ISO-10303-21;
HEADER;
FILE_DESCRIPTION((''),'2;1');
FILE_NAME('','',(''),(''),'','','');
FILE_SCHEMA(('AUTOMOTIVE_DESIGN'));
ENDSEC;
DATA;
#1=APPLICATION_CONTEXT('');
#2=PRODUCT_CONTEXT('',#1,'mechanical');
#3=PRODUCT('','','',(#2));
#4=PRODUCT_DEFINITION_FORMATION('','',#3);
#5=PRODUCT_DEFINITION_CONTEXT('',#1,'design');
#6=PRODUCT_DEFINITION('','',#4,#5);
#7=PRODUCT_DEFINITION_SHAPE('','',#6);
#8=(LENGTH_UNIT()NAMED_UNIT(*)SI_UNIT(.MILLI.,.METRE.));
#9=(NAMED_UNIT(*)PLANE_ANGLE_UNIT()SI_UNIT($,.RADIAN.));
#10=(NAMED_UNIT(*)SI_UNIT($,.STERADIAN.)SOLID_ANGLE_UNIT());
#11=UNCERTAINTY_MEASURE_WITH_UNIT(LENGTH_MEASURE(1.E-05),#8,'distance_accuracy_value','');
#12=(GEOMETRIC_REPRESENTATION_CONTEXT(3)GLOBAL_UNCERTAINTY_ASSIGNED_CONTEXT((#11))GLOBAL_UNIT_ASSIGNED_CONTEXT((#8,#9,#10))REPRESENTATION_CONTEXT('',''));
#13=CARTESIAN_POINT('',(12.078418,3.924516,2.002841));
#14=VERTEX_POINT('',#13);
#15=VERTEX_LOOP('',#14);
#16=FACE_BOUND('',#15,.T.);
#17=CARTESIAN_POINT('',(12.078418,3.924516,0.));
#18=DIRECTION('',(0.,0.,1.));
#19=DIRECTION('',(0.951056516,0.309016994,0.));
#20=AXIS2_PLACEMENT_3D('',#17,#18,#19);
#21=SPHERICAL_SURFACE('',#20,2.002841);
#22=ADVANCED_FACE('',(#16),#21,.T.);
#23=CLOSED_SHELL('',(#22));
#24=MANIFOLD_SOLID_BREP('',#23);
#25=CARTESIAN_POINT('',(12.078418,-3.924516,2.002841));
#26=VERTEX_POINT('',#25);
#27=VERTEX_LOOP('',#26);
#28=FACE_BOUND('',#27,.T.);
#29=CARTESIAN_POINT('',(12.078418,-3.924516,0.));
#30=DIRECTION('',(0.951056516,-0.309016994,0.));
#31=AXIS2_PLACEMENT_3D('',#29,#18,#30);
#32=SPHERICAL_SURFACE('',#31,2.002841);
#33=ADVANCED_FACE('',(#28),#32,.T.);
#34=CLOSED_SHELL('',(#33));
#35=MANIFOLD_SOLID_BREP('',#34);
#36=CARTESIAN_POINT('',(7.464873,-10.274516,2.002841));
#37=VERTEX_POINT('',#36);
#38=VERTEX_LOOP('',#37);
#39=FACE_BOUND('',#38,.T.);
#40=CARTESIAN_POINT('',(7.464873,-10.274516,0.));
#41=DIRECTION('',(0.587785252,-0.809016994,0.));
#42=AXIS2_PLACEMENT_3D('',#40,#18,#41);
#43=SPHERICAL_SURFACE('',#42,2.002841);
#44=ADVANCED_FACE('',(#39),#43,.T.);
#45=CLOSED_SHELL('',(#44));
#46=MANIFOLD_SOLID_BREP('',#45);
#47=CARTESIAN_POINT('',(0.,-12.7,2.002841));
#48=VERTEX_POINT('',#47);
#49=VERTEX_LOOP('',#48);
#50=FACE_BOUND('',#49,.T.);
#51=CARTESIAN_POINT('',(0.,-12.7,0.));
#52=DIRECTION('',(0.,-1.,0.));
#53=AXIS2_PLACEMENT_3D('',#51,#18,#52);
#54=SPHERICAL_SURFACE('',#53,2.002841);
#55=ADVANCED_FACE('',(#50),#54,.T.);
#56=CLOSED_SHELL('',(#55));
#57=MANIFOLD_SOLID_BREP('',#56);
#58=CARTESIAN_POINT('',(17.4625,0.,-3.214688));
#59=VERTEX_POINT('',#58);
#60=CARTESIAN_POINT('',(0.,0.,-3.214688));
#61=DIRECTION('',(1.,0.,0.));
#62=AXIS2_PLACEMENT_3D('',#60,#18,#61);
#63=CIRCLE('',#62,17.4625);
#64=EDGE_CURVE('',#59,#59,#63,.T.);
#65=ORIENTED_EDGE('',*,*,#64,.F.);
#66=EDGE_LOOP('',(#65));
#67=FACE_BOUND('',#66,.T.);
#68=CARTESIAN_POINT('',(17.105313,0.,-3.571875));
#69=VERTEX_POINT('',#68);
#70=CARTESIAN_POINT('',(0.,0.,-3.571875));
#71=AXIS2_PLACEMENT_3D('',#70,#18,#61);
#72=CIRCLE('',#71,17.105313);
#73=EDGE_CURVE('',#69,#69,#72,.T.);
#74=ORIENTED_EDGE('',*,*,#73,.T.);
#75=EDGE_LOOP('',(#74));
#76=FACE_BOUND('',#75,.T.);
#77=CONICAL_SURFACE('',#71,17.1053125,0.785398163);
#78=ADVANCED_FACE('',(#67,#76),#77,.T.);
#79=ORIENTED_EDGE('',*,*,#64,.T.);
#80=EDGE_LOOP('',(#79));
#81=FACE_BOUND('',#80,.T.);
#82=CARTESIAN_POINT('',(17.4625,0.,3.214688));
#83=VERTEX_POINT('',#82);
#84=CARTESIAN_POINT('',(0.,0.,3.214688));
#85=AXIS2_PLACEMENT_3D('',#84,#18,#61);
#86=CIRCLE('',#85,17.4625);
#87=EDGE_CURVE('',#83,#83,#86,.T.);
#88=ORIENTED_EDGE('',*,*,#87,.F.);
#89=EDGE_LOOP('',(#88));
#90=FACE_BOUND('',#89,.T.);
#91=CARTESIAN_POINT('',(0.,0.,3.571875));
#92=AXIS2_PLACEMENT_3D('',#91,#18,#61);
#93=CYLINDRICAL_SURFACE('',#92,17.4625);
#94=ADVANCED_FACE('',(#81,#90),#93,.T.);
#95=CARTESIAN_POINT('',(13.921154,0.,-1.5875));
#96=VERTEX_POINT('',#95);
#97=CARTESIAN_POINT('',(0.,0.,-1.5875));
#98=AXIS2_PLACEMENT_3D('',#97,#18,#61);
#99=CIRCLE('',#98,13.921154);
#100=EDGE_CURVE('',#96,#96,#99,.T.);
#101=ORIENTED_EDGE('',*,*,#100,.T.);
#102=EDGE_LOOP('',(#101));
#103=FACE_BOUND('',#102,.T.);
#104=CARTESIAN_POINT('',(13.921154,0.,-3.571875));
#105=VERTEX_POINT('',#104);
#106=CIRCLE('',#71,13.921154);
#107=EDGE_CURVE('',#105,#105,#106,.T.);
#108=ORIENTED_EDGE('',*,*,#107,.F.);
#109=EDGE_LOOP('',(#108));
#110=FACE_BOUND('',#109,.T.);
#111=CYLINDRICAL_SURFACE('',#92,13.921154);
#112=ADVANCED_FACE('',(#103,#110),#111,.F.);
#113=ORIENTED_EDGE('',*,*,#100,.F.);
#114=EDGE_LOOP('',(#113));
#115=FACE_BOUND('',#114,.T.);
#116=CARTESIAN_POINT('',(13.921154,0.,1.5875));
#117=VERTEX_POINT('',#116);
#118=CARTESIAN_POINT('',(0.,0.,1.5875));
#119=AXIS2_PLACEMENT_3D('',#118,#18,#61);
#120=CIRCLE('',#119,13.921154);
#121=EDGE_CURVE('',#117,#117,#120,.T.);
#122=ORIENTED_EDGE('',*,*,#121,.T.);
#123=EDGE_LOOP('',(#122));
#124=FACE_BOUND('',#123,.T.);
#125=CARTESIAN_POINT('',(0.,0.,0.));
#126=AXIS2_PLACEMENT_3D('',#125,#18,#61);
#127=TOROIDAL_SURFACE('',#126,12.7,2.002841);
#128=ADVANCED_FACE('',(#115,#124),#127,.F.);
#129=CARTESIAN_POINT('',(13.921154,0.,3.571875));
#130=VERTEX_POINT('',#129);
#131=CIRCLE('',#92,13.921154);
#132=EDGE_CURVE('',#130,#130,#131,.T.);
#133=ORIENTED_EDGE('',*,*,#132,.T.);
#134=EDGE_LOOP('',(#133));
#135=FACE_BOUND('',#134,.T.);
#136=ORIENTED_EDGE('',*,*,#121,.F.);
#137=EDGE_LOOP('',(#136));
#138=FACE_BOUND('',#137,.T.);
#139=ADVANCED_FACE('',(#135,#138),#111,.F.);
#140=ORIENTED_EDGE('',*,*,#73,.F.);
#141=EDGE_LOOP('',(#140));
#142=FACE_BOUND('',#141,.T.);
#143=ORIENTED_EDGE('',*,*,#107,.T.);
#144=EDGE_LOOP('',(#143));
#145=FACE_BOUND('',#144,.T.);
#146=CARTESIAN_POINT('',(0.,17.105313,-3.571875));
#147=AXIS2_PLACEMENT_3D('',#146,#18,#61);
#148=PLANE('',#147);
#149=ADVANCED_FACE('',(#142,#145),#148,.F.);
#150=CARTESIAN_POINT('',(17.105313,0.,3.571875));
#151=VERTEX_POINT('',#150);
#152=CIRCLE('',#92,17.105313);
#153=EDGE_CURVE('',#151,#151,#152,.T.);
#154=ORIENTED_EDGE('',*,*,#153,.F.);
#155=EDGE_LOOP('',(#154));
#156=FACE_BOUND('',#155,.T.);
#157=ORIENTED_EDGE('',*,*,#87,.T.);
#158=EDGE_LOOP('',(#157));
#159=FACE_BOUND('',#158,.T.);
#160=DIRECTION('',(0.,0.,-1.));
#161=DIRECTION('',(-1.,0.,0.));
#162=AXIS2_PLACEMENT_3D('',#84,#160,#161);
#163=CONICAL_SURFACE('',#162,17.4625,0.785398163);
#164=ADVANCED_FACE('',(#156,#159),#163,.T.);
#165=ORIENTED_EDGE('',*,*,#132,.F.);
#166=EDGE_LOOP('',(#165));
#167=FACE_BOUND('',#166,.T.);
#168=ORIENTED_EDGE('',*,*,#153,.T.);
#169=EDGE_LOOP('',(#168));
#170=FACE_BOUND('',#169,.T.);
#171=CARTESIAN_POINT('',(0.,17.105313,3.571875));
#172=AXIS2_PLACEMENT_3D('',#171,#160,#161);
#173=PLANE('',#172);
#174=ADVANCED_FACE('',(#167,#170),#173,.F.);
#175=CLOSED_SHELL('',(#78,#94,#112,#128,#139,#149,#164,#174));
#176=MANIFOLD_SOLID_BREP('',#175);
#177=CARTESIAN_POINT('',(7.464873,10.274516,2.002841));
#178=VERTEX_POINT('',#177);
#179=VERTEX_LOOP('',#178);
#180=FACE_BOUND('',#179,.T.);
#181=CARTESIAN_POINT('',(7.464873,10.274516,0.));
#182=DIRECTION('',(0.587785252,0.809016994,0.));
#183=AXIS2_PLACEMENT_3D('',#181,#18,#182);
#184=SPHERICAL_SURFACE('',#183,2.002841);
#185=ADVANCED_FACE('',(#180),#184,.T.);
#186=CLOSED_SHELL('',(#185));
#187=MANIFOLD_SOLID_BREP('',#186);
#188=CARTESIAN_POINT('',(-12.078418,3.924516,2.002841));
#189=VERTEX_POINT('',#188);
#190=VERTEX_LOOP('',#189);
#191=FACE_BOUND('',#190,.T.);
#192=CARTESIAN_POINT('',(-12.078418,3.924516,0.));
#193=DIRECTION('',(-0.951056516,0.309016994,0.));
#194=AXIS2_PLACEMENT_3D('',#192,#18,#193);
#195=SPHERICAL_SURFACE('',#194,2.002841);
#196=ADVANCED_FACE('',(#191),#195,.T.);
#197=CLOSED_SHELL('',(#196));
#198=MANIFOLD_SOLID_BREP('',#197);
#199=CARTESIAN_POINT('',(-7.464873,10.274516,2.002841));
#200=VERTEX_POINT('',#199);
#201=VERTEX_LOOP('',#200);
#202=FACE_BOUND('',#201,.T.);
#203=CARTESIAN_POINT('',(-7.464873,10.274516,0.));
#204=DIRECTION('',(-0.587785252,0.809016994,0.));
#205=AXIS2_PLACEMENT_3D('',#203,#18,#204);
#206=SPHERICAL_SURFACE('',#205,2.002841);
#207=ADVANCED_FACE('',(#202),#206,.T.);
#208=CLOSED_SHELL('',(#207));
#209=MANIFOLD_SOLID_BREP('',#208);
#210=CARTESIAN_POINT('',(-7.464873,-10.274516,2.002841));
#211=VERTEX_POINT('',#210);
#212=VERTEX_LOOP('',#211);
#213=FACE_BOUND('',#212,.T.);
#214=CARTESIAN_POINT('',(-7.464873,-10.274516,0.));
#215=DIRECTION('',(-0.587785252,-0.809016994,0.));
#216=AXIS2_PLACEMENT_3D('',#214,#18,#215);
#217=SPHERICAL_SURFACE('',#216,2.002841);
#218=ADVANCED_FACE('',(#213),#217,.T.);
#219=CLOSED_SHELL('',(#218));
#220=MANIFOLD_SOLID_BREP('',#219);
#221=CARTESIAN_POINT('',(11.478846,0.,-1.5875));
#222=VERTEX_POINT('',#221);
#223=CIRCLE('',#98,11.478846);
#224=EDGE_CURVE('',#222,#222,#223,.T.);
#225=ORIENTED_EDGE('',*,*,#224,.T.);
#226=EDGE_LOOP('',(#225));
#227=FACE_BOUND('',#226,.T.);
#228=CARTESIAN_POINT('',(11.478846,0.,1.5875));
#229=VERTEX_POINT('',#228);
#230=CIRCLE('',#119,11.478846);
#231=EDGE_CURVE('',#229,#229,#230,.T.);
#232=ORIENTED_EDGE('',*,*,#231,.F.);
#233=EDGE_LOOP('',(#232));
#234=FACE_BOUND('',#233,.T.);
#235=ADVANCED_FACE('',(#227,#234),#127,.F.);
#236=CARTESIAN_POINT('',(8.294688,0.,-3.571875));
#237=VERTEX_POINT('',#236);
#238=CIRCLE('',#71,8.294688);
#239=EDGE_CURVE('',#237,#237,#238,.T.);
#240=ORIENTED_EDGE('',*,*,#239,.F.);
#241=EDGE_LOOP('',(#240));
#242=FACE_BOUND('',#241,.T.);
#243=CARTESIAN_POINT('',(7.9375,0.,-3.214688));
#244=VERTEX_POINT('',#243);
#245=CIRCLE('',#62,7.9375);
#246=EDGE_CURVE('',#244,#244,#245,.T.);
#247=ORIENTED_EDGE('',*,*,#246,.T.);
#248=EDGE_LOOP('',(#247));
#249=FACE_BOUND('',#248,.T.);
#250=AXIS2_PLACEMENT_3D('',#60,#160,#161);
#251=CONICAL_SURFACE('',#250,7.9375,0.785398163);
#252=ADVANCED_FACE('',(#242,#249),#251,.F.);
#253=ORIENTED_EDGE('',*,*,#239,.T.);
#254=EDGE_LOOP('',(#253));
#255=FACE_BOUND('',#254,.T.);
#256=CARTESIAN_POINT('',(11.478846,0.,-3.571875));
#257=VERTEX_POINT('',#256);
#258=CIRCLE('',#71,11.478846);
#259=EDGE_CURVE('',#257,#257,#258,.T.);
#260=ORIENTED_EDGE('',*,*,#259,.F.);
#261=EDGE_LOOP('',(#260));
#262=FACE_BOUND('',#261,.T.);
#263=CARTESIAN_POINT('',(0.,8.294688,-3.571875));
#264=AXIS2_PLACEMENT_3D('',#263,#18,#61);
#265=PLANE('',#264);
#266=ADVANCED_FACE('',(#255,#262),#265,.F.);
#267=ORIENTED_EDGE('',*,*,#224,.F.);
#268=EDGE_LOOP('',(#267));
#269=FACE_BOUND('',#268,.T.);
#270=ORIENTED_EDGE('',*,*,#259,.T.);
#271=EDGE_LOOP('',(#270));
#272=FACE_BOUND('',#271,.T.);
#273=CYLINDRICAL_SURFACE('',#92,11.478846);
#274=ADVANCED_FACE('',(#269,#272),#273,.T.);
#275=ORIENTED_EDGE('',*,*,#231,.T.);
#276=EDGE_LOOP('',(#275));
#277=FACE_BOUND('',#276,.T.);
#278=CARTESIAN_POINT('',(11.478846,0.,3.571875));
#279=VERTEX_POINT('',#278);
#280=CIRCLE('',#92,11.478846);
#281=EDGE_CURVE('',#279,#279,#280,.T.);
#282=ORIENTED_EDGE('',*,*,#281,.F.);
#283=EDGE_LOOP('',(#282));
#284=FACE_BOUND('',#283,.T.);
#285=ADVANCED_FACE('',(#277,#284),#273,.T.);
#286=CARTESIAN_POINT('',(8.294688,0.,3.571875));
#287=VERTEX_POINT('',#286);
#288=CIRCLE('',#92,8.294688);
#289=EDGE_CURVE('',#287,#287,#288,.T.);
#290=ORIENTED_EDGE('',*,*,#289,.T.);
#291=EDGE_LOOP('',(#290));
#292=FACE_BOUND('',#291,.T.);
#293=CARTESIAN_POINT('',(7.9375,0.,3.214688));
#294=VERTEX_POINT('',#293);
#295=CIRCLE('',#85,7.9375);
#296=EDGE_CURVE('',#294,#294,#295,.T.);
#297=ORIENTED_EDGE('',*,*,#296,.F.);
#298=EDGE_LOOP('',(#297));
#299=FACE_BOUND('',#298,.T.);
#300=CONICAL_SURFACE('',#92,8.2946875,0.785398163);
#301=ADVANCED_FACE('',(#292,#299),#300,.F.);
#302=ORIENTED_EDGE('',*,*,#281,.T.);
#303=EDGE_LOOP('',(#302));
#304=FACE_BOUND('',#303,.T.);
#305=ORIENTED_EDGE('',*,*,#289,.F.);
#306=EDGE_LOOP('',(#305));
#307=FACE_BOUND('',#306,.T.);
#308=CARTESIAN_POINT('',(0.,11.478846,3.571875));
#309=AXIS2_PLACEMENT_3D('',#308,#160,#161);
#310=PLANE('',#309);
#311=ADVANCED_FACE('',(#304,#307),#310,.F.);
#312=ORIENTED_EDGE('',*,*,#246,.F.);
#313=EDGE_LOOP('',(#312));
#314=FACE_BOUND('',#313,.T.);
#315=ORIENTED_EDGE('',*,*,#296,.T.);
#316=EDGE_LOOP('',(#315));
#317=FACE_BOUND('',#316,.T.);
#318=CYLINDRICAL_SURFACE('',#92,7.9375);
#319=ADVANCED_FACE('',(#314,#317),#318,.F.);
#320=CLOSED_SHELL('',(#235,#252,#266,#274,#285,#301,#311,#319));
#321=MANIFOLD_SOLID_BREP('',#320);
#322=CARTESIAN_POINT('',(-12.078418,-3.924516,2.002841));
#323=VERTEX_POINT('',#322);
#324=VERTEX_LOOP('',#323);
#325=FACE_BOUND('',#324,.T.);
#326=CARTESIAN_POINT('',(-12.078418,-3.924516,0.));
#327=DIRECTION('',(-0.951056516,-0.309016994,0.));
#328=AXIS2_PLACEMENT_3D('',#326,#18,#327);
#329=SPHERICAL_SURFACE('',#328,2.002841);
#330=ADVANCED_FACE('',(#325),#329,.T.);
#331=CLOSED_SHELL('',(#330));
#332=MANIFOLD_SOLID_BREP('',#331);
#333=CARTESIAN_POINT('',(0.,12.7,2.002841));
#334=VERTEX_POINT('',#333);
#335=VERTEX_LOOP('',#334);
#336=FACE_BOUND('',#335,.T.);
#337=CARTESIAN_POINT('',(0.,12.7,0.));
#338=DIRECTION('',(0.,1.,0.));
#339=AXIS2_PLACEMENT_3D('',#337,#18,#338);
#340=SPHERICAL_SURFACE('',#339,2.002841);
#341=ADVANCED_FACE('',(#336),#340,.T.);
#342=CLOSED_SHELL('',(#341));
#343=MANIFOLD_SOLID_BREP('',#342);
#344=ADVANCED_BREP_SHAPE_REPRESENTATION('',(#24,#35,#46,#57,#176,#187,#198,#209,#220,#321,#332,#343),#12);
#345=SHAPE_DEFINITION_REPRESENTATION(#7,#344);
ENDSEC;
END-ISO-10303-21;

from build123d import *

# Parameters (mm, degrees)
CIRPATTERN1_COUNT = 10


with BuildPart() as part:
    # Sketch1 → Revolve1 (revolve)
    with BuildSketch(Plane(origin=(0, 0, 0), x_dir=(0, 0, -1), z_dir=(1, 0, 0))):
        with BuildLine():
            Line((3.2146875, 17.4625), (-3.2146875, 17.4625))
            Line((-3.2146875, 17.4625), (-3.571875, 17.1053125))
            Line((-3.571875, 17.1053125), (-3.571875, 13.921153846))
            Line((-3.571875, 13.921153846), (-1.5875, 13.921153846))
            ThreePointArc((-1.5875, 13.921153846), (0, 14.702841223), (1.5875, 13.921153846))
            Line((1.5875, 13.921153846), (3.571875, 13.921153846))
            Line((3.571875, 13.921153846), (3.571875, 17.1053125))
            Line((3.571875, 17.1053125), (3.2146875, 17.4625))
        make_face()
    revolve(axis=Axis((0, 0, 3.571875), (0, 0, -1)))


with BuildPart() as body_2:
    # Sketch3 → Revolve3 (revolve)
    with BuildSketch(Plane(origin=(0, 0, 0), x_dir=(0, 0, -1), z_dir=(1, 0, 0))):
        with BuildLine():
            Line((-3.571875, 11.478846154), (-1.5875, 11.478846154))
            ThreePointArc((-1.5875, 11.478846154), (0, 10.697158777), (1.5875, 11.478846154))
            Line((1.5875, 11.478846154), (3.571875, 11.478846154))
            Line((3.571875, 11.478846154), (3.571875, 8.2946875))
            Line((3.571875, 8.2946875), (3.2146875, 7.9375))
            Line((3.2146875, 7.9375), (-3.2146875, 7.9375))
            Line((-3.2146875, 7.9375), (-3.571875, 8.2946875))
            Line((-3.571875, 8.2946875), (-3.571875, 11.478846154))
        make_face()
    revolve(axis=Axis((0, 0, 3.571875), (0, 0, -1)))


with BuildPart() as body_3:
    # Sketch4 → Revolve4 (revolve)
    with BuildSketch(Plane(origin=(0, 0, 0), x_dir=(0, 0, -1), z_dir=(1, 0, 0))):
        with BuildLine():
            Line((-2.002841223, 12.7), (2.002841223, 12.7))
            ThreePointArc((2.002841223, 12.7), (0, 14.702841223), (-2.002841223, 12.7))
        make_face()
    revolve(axis=Axis((0, 12.7, 2.002841223), (0, 0, -1)))


with BuildPart() as cirpattern1_1:
    # CirPattern1: pattern copy
    add(body_3.part.rotate(Axis((0, 0, -3.571875), (0, 0, 1)), 1 * 360 / CIRPATTERN1_COUNT))


with BuildPart() as cirpattern1_2:
    # CirPattern1: pattern copy
    add(body_3.part.rotate(Axis((0, 0, -3.571875), (0, 0, 1)), 2 * 360 / CIRPATTERN1_COUNT))


with BuildPart() as cirpattern1_3:
    # CirPattern1: pattern copy
    add(body_3.part.rotate(Axis((0, 0, -3.571875), (0, 0, 1)), 3 * 360 / CIRPATTERN1_COUNT))


with BuildPart() as cirpattern1_4:
    # CirPattern1: pattern copy
    add(body_3.part.rotate(Axis((0, 0, -3.571875), (0, 0, 1)), 4 * 360 / CIRPATTERN1_COUNT))


with BuildPart() as cirpattern1_5:
    # CirPattern1: pattern copy
    add(body_3.part.rotate(Axis((0, 0, -3.571875), (0, 0, 1)), 5 * 360 / CIRPATTERN1_COUNT))


with BuildPart() as cirpattern1_6:
    # CirPattern1: pattern copy
    add(body_3.part.rotate(Axis((0, 0, -3.571875), (0, 0, 1)), 6 * 360 / CIRPATTERN1_COUNT))


with BuildPart() as cirpattern1_7:
    # CirPattern1: pattern copy
    add(body_3.part.rotate(Axis((0, 0, -3.571875), (0, 0, 1)), 7 * 360 / CIRPATTERN1_COUNT))


with BuildPart() as cirpattern1_8:
    # CirPattern1: pattern copy
    add(body_3.part.rotate(Axis((0, 0, -3.571875), (0, 0, 1)), 8 * 360 / CIRPATTERN1_COUNT))


with BuildPart() as cirpattern1_9:
    # CirPattern1: pattern copy
    add(body_3.part.rotate(Axis((0, 0, -3.571875), (0, 0, 1)), 9 * 360 / CIRPATTERN1_COUNT))


solid = Compound([part.part, body_2.part, body_3.part, cirpattern1_1.part, cirpattern1_2.part, cirpattern1_3.part, cirpattern1_4.part, cirpattern1_5.part, cirpattern1_6.part, cirpattern1_7.part, cirpattern1_8.part, cirpattern1_9.part])
